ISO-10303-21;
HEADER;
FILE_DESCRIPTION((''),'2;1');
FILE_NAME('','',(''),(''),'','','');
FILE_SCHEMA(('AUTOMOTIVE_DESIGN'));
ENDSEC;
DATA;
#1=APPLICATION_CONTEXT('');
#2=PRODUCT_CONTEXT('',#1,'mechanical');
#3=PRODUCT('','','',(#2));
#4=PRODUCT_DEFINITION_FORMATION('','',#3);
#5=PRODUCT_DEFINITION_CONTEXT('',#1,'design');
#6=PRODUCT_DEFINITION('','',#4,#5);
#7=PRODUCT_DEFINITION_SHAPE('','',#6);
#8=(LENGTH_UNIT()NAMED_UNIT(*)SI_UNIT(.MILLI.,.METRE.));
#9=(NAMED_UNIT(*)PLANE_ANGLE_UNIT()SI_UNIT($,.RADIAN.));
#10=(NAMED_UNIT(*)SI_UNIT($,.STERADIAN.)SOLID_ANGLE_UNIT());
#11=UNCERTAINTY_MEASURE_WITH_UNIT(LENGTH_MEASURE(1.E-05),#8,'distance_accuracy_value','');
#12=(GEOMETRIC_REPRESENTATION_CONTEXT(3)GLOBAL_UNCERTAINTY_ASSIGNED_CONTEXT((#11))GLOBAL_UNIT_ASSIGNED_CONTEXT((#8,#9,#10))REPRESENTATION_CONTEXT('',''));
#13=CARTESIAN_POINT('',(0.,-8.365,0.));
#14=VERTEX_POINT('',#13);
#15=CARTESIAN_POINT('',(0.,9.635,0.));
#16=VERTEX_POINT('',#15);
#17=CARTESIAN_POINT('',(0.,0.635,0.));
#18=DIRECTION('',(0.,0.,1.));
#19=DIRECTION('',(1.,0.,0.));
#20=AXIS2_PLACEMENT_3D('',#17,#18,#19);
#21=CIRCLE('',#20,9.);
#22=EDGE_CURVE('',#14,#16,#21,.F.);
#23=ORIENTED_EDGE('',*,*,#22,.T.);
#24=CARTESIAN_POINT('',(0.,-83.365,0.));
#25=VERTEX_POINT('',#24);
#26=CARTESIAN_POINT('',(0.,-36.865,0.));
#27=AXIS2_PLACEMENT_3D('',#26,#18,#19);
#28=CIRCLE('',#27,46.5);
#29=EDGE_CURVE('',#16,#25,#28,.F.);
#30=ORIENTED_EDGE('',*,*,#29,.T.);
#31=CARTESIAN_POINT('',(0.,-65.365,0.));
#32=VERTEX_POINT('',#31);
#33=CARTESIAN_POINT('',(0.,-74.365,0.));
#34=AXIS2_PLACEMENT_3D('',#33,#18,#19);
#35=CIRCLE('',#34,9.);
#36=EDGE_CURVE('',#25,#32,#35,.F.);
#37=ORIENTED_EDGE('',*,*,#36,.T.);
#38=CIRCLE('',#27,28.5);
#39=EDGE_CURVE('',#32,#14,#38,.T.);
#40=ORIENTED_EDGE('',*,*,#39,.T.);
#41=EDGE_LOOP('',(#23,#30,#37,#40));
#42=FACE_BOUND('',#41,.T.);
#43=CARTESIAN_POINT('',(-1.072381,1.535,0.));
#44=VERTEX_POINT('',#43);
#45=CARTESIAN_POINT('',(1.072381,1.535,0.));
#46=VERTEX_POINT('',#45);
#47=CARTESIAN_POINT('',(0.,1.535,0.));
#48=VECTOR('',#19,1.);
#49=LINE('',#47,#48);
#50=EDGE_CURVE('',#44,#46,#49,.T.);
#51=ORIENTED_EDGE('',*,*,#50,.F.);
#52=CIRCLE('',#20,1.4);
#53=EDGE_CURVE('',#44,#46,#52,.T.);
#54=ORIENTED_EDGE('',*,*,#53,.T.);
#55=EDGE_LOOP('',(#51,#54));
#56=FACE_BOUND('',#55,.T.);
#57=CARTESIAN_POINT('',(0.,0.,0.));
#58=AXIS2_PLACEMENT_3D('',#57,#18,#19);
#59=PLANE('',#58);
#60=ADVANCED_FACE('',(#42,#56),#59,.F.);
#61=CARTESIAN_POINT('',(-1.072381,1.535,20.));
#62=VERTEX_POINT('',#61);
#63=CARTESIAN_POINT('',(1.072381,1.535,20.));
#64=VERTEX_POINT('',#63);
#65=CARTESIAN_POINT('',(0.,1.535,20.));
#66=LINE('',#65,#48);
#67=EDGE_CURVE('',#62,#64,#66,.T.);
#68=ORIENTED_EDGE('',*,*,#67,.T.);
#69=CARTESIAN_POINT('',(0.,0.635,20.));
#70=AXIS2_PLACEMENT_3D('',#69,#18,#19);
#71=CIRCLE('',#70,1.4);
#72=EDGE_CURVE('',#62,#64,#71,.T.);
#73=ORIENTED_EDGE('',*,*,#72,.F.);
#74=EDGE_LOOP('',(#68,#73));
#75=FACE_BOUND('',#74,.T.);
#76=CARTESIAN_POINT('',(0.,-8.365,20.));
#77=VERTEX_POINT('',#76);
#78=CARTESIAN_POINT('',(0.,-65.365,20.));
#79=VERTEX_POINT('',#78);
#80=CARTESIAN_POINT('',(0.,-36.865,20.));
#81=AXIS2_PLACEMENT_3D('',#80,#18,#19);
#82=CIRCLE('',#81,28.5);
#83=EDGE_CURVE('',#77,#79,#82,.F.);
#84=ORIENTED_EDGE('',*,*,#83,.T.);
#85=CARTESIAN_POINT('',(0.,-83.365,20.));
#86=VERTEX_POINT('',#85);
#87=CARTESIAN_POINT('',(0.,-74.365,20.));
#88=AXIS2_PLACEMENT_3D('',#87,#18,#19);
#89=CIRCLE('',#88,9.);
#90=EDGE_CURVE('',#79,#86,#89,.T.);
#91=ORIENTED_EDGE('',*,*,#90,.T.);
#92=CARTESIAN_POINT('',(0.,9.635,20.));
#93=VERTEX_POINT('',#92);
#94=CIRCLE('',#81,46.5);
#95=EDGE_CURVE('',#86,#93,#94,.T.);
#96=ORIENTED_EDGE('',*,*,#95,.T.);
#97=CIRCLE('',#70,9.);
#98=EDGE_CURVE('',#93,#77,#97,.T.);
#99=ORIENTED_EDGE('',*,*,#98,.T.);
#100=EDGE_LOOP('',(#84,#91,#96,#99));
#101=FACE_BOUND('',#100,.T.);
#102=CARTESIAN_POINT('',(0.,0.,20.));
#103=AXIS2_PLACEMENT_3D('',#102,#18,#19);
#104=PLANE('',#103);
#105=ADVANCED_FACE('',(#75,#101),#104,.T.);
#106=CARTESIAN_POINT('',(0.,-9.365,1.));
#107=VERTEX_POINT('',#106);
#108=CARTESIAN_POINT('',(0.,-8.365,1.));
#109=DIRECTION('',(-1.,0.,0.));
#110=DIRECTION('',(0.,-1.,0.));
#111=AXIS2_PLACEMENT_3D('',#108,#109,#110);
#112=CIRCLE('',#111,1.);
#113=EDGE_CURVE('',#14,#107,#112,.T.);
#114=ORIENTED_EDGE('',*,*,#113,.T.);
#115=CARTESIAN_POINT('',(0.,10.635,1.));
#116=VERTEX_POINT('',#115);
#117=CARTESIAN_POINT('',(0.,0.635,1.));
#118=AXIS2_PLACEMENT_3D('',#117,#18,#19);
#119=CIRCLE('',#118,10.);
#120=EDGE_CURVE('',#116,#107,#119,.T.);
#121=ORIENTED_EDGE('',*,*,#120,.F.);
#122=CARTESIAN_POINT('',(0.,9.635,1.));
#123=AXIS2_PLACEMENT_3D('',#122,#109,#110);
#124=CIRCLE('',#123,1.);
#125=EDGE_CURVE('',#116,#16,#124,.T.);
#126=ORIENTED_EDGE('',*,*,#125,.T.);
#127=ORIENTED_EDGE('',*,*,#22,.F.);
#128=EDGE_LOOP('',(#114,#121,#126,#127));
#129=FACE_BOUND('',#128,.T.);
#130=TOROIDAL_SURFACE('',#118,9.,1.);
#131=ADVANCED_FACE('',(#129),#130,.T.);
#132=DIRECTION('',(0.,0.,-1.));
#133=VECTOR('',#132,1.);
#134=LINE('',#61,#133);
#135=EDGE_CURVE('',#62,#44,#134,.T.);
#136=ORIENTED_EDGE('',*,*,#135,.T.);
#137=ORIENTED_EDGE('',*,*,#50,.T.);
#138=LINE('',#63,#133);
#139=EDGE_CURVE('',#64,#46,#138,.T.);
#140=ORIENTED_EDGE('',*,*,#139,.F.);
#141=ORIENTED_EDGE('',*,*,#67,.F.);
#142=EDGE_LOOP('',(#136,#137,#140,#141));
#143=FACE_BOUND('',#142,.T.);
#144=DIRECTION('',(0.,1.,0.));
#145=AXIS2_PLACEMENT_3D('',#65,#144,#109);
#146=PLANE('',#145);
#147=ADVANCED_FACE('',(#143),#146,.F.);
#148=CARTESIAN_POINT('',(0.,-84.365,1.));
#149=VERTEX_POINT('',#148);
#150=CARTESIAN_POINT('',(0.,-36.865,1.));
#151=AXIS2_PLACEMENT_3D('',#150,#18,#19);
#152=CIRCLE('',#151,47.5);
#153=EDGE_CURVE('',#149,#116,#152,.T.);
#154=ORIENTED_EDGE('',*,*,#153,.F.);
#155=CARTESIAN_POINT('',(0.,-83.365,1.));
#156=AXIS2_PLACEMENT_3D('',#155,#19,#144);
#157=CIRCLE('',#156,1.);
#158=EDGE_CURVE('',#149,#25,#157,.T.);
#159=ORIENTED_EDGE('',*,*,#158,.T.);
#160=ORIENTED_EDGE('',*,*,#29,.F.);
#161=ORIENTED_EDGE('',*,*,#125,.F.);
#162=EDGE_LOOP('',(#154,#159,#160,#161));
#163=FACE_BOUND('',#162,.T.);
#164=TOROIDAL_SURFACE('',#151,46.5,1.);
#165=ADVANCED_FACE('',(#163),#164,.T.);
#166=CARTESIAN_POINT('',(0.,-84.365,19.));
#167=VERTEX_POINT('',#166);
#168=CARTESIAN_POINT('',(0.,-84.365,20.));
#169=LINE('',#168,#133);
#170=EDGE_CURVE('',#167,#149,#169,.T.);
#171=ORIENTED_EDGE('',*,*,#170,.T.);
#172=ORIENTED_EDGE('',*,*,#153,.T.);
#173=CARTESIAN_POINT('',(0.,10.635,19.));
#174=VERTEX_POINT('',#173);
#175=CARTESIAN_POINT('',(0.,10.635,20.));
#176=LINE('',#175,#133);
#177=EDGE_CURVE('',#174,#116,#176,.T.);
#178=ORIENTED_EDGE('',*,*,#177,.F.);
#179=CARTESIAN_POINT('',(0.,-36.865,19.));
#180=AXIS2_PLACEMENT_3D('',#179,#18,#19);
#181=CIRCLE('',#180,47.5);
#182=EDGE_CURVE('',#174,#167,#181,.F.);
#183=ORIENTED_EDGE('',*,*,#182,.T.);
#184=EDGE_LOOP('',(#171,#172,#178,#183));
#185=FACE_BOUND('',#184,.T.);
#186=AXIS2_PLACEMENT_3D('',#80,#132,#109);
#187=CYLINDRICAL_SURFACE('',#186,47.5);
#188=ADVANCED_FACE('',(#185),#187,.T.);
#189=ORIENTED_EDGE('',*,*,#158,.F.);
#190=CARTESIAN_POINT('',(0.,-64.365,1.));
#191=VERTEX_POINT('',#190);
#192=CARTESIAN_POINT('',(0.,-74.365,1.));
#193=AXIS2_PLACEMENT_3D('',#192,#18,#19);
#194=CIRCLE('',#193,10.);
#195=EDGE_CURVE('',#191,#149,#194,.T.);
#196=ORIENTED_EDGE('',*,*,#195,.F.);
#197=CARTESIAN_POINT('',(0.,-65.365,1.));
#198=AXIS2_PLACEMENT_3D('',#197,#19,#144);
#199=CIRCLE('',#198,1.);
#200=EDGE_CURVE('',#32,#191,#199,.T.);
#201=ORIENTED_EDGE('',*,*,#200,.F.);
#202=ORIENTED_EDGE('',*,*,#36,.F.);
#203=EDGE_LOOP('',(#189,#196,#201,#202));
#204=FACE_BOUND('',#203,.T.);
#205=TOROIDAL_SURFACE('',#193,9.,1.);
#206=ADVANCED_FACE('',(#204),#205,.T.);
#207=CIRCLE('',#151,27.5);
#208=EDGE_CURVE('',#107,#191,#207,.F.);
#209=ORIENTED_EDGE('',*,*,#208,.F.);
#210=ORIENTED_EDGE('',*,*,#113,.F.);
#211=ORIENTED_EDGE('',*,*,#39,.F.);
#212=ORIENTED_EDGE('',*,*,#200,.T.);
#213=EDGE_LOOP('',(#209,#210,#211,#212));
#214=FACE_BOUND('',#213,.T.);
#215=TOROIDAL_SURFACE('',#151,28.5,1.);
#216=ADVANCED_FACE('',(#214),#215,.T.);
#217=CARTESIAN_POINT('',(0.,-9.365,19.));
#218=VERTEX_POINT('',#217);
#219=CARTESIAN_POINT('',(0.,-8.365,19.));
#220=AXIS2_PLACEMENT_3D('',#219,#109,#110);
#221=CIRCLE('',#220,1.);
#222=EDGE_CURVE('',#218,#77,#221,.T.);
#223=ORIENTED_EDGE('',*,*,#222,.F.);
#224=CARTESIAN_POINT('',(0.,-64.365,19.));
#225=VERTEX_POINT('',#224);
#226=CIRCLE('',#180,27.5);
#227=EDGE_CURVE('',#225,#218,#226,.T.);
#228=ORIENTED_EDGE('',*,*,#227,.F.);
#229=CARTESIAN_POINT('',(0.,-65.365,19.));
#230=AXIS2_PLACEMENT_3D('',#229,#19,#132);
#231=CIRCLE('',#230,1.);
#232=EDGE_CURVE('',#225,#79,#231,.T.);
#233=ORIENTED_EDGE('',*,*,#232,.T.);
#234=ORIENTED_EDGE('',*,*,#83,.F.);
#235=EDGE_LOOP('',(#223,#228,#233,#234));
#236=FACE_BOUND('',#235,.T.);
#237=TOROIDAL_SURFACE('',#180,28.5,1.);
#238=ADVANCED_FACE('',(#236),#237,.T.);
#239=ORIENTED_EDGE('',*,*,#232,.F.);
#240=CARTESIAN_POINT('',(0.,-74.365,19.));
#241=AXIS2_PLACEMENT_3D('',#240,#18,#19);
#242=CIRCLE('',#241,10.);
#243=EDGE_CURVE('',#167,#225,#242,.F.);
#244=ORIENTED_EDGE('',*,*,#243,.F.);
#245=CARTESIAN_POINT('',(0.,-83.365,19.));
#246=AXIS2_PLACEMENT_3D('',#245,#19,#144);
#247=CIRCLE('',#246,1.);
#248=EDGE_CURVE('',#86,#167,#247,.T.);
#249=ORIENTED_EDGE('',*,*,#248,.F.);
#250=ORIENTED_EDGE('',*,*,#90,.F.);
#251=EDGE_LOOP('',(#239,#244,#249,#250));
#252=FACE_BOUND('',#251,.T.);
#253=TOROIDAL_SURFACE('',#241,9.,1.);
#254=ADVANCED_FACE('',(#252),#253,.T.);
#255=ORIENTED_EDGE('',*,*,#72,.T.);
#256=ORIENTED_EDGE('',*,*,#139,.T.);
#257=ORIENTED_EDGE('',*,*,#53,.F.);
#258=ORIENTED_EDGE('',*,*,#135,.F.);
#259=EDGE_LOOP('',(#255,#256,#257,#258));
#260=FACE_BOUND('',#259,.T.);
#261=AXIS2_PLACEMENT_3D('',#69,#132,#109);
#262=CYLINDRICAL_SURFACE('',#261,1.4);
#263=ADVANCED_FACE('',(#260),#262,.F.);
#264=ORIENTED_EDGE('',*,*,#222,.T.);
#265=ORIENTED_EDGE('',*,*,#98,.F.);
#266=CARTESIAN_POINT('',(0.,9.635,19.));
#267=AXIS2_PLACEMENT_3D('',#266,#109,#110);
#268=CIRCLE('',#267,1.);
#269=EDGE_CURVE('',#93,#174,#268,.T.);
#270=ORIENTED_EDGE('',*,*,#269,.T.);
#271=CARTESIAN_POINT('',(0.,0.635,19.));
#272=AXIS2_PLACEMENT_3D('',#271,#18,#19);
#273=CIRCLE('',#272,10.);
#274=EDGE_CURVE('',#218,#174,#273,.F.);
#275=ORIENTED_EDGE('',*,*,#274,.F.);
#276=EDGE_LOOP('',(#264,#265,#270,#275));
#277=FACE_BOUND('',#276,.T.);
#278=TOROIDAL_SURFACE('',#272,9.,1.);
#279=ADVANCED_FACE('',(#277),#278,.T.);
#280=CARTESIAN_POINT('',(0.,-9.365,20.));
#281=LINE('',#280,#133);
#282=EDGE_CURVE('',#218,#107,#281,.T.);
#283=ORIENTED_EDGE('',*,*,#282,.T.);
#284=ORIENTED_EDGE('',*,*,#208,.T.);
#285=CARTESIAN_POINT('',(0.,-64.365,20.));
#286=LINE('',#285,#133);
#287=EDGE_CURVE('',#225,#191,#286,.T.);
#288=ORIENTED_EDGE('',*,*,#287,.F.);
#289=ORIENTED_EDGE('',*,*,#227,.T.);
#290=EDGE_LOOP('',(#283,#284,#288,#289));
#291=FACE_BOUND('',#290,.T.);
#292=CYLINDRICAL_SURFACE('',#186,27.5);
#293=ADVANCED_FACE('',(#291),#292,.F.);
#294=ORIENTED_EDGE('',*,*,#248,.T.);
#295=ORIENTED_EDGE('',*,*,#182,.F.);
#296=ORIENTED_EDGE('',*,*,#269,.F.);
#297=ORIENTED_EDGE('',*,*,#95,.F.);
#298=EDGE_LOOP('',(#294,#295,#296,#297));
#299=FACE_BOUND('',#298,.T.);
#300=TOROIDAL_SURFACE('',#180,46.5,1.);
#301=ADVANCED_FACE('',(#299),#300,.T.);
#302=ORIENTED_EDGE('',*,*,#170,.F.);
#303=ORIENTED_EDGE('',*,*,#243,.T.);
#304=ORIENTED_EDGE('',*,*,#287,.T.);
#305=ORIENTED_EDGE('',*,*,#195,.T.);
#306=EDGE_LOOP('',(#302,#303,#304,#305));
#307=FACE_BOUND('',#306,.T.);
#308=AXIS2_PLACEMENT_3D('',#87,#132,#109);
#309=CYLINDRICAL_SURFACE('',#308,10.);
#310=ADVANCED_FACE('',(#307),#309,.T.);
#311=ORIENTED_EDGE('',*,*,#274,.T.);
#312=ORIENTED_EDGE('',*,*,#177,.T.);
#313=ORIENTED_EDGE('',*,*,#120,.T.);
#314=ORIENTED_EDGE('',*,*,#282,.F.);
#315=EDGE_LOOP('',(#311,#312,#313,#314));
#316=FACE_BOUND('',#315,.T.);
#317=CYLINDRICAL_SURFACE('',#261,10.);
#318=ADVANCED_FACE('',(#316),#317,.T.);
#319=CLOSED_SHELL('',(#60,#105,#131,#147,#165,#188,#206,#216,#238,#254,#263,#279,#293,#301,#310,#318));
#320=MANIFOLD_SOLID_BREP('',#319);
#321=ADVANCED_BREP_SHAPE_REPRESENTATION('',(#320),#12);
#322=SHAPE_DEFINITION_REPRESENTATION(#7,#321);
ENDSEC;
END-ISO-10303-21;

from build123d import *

# Parameters (mm, degrees)
BOSS_EXTRUDE1_DEPTH = 20
FILLET1_R           = 1


with BuildPart() as part:
    # Sketch1 → Boss-Extrude1 (new body)
    with BuildSketch(Plane.XY):
        with BuildLine():
            ThreePointArc((0, 10.635), (-10, 0.635), (0, -9.365))
            ThreePointArc((0, -9.365), (27.5, -36.865), (0, -64.365))
            ThreePointArc((0, -64.365), (-10, -74.365), (0, -84.365))
            ThreePointArc((0, -84.365), (47.5, -36.865), (0, 10.635))
        make_face()
        with BuildLine():
            ThreePointArc((1.072380529, 1.535), (0, -0.765), (-1.072380529, 1.535))
            Line((-1.072380529, 1.535), (1.072380529, 1.535))
        make_face(mode=Mode.SUBTRACT)
    extrude(amount=BOSS_EXTRUDE1_DEPTH)

    # Fillet1
    fillet1_edges = [part.edges().sort_by_distance(p)[0] for p in [
        (-10, 0.635, 20),
        (27.5, -36.865, 20),
        (-10, -74.365, 20),
        (47.5, -36.865, 20),
        (47.5, -36.865, 0),
        (-10, -74.365, 0),
        (27.5, -36.865, 0),
        (-10, 0.635, 0),
    ]]
    fillet(fillet1_edges, radius=FILLET1_R)


solid = part.part
